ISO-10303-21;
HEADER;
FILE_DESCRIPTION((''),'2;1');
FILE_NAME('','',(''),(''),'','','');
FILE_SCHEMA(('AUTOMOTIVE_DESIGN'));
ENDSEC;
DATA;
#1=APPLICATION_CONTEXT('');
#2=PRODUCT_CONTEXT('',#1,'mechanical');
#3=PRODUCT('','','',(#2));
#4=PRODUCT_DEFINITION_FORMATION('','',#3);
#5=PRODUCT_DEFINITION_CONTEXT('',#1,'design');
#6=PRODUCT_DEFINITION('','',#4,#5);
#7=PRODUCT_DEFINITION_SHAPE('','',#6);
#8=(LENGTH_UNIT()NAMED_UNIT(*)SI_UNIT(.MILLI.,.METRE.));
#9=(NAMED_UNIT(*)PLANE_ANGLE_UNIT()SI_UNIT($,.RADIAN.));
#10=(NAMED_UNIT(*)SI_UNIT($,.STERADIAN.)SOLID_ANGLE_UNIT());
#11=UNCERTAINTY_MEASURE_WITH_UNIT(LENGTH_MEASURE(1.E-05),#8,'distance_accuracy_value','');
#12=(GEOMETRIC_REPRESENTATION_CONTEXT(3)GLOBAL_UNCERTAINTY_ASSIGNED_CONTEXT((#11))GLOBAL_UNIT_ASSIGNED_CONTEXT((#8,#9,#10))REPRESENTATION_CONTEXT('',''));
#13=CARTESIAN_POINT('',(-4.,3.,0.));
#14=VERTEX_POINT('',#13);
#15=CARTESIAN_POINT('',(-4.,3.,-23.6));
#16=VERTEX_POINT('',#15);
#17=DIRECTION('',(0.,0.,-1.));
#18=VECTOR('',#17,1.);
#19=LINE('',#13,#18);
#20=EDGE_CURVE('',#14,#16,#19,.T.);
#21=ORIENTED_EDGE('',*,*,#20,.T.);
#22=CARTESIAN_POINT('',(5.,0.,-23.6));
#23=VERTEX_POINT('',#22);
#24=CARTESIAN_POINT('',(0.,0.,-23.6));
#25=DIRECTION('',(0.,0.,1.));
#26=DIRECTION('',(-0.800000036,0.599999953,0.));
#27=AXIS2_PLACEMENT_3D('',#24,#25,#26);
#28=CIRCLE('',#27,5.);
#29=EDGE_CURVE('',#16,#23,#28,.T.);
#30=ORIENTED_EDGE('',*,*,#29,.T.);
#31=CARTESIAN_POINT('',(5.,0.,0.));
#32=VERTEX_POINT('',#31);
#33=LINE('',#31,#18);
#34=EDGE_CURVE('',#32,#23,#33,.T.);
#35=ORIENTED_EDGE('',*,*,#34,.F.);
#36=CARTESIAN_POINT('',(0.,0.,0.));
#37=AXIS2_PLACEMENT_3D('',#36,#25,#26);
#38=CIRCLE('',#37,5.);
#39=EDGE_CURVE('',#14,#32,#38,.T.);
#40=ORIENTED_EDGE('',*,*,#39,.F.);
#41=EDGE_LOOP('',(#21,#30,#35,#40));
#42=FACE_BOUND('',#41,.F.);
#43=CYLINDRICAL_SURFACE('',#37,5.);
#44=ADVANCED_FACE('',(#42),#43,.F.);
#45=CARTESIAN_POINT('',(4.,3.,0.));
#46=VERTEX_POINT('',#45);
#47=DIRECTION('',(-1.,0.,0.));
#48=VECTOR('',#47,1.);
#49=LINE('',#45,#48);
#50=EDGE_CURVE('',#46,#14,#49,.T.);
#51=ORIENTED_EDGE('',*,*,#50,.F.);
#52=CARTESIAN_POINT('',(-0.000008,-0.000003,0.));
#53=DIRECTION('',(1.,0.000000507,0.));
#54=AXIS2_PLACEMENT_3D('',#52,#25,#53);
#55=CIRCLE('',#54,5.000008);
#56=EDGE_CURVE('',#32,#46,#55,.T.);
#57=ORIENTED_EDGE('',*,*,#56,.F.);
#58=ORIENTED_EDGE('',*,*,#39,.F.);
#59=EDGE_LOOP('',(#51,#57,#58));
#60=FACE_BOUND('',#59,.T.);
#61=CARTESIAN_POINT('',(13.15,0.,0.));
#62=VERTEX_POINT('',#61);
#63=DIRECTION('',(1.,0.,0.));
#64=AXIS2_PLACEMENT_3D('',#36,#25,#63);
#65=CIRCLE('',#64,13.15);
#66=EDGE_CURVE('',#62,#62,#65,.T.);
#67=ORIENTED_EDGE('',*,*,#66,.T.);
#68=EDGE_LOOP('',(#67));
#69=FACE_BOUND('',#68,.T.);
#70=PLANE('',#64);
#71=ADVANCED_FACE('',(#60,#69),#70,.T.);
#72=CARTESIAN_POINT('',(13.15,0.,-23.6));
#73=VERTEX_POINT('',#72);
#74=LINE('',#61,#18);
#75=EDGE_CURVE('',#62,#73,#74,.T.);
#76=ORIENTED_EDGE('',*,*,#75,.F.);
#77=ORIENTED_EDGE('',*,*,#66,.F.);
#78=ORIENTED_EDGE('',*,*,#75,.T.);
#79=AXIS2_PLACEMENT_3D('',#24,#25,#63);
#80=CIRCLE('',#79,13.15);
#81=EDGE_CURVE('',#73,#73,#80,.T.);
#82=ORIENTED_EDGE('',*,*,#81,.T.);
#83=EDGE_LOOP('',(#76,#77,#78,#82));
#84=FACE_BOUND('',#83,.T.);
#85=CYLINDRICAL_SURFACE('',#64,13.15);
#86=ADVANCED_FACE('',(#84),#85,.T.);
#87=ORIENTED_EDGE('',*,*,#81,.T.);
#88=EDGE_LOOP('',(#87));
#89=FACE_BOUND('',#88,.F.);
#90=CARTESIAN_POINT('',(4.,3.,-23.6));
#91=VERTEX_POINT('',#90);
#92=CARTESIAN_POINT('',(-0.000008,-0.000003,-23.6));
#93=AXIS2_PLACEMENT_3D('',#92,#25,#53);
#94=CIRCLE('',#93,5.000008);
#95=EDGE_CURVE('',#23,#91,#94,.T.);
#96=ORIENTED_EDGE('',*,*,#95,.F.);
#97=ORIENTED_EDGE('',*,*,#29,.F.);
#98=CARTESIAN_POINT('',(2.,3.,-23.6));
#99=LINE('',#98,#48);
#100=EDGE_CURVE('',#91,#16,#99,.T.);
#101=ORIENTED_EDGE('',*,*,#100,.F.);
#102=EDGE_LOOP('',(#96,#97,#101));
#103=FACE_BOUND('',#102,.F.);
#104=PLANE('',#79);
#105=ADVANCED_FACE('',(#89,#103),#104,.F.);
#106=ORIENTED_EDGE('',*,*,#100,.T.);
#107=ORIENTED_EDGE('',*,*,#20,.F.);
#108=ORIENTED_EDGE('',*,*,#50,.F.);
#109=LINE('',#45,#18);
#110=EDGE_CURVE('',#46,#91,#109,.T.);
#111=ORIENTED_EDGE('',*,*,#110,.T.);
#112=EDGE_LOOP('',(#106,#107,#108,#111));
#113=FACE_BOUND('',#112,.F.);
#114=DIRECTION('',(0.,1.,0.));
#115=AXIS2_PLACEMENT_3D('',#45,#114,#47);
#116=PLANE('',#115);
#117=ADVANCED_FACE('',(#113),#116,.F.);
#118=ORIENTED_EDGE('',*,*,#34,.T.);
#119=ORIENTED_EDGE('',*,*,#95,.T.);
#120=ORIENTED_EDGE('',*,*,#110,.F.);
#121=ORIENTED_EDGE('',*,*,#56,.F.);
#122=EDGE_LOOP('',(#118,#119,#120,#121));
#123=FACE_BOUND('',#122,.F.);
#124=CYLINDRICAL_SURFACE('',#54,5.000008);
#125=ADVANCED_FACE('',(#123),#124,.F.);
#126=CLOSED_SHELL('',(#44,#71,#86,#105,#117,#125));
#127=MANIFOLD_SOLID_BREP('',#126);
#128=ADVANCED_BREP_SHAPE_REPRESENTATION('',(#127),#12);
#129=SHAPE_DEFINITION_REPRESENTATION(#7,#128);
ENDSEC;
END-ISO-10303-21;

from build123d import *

# Parameters (mm, degrees)
F0_R     = 13.15
F2_DEPTH = 23.6
F4_DEPTH = 25.4


with BuildPart() as f2:
    # F0 (on Top) → F2 (new body)
    with BuildSketch(Plane.XY):
        Circle(F0_R)
    extrude(amount=-F2_DEPTH)

    # F3 (on face) → F4 (cut)
    with BuildSketch(Plane.XY):
        with BuildLine():
            Line((0, 3), (-4, 3))
            ThreePointArc((-4, 3), (-1.581139, -4.743416), (5, 0))
            ThreePointArc((5, 0), (4.743416, 1.581139), (4, 3))
            Line((4, 3), (0, 3))
        make_face()
    extrude(amount=-F4_DEPTH, mode=Mode.SUBTRACT)


solid = f2.part
